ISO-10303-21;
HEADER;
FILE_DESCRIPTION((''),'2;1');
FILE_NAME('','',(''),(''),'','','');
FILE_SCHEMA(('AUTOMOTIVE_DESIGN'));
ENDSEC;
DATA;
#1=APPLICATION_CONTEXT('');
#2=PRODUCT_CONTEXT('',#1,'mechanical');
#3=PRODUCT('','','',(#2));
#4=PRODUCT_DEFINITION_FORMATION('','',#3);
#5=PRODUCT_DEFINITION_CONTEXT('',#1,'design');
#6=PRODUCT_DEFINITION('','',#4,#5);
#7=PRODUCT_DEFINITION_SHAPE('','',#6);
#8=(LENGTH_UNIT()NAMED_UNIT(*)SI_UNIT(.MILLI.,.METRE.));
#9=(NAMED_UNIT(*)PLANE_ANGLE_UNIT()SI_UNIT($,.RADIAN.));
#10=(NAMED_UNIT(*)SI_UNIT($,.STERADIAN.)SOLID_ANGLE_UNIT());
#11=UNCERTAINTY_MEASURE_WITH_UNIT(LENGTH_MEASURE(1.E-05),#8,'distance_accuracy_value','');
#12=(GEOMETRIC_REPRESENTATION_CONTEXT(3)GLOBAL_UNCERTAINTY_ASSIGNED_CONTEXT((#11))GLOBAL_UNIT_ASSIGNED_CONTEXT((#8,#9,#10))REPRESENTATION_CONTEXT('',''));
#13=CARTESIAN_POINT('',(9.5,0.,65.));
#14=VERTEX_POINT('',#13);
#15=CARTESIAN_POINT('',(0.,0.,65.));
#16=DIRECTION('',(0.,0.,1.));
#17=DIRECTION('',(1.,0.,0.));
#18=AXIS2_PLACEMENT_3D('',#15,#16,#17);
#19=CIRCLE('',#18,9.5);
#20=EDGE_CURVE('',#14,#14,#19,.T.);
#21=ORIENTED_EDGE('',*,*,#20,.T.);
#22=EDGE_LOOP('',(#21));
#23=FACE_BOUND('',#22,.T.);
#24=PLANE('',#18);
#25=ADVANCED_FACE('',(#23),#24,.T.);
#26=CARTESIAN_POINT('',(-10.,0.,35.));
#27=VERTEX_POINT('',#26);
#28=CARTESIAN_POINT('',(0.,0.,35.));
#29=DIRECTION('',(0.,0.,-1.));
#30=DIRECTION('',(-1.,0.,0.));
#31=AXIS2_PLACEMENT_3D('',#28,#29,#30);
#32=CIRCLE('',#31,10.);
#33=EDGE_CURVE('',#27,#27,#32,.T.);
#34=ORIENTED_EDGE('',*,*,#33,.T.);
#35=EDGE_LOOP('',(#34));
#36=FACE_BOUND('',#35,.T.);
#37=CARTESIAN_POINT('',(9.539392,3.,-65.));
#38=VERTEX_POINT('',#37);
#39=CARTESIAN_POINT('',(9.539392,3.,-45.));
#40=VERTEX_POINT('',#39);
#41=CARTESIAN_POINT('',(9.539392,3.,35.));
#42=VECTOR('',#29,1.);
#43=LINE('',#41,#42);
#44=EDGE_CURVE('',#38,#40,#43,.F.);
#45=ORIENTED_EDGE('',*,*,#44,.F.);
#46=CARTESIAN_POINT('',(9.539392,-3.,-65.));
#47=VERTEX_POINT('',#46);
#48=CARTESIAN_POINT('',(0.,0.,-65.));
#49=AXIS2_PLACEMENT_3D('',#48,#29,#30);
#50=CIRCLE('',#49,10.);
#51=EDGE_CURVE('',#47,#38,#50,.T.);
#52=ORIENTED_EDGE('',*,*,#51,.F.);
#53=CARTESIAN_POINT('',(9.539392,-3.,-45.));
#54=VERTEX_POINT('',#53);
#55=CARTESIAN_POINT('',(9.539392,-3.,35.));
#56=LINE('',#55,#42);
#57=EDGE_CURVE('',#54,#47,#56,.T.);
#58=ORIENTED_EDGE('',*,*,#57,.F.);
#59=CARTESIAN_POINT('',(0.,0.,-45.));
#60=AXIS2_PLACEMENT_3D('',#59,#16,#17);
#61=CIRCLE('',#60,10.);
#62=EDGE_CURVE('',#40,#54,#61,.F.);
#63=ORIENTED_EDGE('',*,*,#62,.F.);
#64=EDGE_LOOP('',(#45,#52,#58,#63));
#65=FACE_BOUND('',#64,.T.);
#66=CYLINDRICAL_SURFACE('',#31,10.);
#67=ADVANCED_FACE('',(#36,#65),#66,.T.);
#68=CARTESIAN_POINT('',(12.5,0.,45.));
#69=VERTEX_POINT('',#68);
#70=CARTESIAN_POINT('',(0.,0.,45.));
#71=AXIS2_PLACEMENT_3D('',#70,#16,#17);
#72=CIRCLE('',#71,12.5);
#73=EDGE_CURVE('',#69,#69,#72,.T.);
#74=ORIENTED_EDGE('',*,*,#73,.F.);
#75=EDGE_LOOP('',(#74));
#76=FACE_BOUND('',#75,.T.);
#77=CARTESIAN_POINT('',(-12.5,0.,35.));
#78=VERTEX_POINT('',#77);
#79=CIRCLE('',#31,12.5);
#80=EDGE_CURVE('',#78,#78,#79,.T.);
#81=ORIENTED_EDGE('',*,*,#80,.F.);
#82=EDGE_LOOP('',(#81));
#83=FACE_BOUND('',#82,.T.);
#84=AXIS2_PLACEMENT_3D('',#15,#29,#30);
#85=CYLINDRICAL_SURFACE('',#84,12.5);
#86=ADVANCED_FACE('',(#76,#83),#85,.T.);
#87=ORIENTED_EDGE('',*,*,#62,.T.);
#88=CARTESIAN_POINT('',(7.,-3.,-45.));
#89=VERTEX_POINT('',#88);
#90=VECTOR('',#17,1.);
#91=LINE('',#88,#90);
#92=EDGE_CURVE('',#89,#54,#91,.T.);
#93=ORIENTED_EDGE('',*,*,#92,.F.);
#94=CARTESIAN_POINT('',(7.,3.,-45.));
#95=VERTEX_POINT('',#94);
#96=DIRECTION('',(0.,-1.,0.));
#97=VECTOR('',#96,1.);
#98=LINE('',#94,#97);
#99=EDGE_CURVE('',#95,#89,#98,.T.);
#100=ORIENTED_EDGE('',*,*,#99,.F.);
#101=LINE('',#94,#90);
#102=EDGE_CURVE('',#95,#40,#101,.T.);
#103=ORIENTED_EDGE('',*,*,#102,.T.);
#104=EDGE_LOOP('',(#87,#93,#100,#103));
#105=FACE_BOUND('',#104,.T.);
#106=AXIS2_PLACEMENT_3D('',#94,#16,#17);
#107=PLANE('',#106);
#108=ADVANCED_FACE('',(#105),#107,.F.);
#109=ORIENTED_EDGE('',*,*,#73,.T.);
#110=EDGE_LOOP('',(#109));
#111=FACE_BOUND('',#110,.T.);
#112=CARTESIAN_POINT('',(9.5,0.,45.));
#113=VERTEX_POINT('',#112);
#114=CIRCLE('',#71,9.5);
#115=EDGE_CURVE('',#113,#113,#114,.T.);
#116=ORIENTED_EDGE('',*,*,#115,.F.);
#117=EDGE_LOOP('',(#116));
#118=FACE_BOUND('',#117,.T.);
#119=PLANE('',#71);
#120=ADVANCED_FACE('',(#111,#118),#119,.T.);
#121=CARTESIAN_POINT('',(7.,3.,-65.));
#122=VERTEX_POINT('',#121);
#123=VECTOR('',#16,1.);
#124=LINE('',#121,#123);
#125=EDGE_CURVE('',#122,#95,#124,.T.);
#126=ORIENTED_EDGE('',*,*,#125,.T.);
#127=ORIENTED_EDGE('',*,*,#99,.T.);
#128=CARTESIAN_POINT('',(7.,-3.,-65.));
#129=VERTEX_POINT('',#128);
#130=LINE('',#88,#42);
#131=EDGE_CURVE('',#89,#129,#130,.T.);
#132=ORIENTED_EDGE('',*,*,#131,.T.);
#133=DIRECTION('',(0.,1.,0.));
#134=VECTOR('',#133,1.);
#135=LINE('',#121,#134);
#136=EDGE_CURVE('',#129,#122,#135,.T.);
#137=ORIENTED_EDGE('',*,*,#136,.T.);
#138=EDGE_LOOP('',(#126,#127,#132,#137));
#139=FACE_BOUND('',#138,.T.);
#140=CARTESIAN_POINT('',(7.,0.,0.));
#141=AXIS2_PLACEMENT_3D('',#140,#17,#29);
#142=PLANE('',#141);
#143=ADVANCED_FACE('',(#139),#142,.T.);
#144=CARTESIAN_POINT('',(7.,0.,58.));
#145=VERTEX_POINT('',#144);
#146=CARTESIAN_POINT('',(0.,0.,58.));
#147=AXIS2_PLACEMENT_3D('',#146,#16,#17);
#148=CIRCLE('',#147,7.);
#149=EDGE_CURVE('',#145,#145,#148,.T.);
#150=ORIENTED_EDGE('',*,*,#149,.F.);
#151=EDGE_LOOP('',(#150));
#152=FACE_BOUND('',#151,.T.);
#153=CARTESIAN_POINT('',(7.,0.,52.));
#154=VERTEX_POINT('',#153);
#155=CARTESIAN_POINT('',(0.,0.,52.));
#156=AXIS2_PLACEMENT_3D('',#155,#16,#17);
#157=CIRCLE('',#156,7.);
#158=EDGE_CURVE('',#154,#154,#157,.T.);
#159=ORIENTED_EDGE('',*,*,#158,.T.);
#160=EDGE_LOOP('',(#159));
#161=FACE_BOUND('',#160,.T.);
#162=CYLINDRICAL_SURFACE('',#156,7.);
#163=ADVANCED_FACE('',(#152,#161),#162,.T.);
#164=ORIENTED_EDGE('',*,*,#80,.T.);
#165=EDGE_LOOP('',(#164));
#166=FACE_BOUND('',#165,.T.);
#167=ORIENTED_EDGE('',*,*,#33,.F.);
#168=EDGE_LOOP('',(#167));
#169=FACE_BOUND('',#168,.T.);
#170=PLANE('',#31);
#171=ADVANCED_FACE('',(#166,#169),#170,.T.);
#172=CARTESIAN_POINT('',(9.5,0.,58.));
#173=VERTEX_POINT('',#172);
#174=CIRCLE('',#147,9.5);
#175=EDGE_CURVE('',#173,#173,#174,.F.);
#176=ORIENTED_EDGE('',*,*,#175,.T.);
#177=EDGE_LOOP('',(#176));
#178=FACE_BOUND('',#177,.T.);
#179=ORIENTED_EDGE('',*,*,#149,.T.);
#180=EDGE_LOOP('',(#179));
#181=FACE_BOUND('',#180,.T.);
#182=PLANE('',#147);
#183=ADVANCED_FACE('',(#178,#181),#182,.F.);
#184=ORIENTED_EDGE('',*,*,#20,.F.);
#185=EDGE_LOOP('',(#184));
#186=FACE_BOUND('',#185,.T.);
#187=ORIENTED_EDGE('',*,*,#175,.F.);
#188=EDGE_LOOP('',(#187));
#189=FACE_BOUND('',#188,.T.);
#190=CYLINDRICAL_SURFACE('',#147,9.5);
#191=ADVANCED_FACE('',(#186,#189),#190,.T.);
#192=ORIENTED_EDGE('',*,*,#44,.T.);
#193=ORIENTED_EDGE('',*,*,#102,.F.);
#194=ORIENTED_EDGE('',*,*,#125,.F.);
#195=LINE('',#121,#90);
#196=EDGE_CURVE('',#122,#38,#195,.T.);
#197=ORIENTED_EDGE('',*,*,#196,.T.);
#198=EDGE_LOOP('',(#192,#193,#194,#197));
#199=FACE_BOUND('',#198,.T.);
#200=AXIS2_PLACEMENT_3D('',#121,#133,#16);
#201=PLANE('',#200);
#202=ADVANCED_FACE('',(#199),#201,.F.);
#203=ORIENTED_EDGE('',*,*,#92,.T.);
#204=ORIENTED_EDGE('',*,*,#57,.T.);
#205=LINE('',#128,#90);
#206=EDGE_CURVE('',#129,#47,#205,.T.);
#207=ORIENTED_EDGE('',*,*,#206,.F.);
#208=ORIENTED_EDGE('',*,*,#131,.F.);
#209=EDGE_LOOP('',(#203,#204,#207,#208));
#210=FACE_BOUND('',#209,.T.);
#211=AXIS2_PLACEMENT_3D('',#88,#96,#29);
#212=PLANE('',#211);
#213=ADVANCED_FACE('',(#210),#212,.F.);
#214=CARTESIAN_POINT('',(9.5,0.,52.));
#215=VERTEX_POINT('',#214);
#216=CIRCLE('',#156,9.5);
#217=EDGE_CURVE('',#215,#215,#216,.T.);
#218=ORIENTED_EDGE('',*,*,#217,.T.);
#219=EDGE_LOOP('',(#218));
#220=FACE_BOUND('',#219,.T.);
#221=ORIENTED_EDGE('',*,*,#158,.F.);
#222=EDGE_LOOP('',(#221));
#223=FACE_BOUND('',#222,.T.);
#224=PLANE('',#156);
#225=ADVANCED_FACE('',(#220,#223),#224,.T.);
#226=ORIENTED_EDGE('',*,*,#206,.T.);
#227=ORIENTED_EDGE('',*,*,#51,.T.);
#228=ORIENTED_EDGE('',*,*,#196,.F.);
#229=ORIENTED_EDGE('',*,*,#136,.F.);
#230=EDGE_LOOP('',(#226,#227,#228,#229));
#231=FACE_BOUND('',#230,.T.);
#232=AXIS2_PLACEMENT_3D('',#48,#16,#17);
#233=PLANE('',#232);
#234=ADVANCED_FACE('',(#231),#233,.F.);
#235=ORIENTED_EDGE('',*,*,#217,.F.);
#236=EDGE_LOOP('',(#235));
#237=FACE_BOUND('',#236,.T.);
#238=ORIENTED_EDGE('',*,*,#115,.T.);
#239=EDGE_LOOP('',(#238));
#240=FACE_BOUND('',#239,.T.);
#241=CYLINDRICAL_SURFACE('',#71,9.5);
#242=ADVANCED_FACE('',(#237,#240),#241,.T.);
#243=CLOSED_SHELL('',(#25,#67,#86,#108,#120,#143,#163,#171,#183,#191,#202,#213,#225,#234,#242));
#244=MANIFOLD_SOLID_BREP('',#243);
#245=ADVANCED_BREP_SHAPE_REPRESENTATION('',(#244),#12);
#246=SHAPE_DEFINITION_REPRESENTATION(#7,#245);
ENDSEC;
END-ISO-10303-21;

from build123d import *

# Parameters (mm, degrees)
IZIM1_R                     = 12.5
Y_KSEKLIK_EKSTR_ZYON1_DEPTH = 65
IZIM2_R                     = 12.5
IZIM2_R_2                   = 10
KES_EKSTR_ZYON1_DEPTH       = 100
IZIM3_W                     = 20
IZIM3_H                     = 6
KES_EKSTR_ZYON2_DEPTH       = 3
IZIM4_R                     = 12.5
IZIM4_R_2                   = 9.5
KES_EKSTR_ZYON3_DEPTH       = 7
IZIM5_R                     = 12.5
IZIM5_R_2                   = 7
KES_EKSTR_ZYON4_DEPTH       = 6
IZIM6_R                     = 12.5
IZIM6_R_2                   = 9.5
KES_EKSTR_ZYON5_DEPTH       = 7


with BuildPart() as part:
    # Çizim1 → Yükseklik-Ekstrüzyon1 (new body, symmetric)
    with BuildSketch(Plane.XY):
        Circle(IZIM1_R)
    extrude(amount=Y_KSEKLIK_EKSTR_ZYON1_DEPTH, both=True)

    # Çizim2 → Kes-Ekstrüzyon1 (cut)
    with BuildSketch(Plane(origin=(0, 0, -65), x_dir=(-1, 0, 0), z_dir=(0, 0, -1))):
        Circle(IZIM2_R)
        Circle(IZIM2_R_2, mode=Mode.SUBTRACT)
    extrude(amount=-KES_EKSTR_ZYON1_DEPTH, mode=Mode.SUBTRACT)

    # Çizim3 → Kes-Ekstrüzyon2 (cut)
    with BuildSketch(Plane(origin=(10, 0, 0), x_dir=(0, 0, -1), z_dir=(1, 0, 0))):
        with Locations((55, 0)):
            Rectangle(IZIM3_W, IZIM3_H)
    extrude(amount=-KES_EKSTR_ZYON2_DEPTH, mode=Mode.SUBTRACT)

    # Çizim4 → Kes-Ekstrüzyon3 (cut)
    with BuildSketch(Plane.XY.offset(65)):
        Circle(IZIM4_R)
        Circle(IZIM4_R_2, mode=Mode.SUBTRACT)
    extrude(amount=-KES_EKSTR_ZYON3_DEPTH, mode=Mode.SUBTRACT)

    # Çizim5 → Kes-Ekstrüzyon4 (cut)
    with BuildSketch(Plane.XY.offset(58)):
        Circle(IZIM5_R)
        Circle(IZIM5_R_2, mode=Mode.SUBTRACT)
    extrude(amount=-KES_EKSTR_ZYON4_DEPTH, mode=Mode.SUBTRACT)

    # Çizim6 → Kes-Ekstrüzyon5 (cut)
    with BuildSketch(Plane.XY.offset(52)):
        Circle(IZIM6_R)
        Circle(IZIM6_R_2, mode=Mode.SUBTRACT)
    extrude(amount=-KES_EKSTR_ZYON5_DEPTH, mode=Mode.SUBTRACT)


solid = part.part
